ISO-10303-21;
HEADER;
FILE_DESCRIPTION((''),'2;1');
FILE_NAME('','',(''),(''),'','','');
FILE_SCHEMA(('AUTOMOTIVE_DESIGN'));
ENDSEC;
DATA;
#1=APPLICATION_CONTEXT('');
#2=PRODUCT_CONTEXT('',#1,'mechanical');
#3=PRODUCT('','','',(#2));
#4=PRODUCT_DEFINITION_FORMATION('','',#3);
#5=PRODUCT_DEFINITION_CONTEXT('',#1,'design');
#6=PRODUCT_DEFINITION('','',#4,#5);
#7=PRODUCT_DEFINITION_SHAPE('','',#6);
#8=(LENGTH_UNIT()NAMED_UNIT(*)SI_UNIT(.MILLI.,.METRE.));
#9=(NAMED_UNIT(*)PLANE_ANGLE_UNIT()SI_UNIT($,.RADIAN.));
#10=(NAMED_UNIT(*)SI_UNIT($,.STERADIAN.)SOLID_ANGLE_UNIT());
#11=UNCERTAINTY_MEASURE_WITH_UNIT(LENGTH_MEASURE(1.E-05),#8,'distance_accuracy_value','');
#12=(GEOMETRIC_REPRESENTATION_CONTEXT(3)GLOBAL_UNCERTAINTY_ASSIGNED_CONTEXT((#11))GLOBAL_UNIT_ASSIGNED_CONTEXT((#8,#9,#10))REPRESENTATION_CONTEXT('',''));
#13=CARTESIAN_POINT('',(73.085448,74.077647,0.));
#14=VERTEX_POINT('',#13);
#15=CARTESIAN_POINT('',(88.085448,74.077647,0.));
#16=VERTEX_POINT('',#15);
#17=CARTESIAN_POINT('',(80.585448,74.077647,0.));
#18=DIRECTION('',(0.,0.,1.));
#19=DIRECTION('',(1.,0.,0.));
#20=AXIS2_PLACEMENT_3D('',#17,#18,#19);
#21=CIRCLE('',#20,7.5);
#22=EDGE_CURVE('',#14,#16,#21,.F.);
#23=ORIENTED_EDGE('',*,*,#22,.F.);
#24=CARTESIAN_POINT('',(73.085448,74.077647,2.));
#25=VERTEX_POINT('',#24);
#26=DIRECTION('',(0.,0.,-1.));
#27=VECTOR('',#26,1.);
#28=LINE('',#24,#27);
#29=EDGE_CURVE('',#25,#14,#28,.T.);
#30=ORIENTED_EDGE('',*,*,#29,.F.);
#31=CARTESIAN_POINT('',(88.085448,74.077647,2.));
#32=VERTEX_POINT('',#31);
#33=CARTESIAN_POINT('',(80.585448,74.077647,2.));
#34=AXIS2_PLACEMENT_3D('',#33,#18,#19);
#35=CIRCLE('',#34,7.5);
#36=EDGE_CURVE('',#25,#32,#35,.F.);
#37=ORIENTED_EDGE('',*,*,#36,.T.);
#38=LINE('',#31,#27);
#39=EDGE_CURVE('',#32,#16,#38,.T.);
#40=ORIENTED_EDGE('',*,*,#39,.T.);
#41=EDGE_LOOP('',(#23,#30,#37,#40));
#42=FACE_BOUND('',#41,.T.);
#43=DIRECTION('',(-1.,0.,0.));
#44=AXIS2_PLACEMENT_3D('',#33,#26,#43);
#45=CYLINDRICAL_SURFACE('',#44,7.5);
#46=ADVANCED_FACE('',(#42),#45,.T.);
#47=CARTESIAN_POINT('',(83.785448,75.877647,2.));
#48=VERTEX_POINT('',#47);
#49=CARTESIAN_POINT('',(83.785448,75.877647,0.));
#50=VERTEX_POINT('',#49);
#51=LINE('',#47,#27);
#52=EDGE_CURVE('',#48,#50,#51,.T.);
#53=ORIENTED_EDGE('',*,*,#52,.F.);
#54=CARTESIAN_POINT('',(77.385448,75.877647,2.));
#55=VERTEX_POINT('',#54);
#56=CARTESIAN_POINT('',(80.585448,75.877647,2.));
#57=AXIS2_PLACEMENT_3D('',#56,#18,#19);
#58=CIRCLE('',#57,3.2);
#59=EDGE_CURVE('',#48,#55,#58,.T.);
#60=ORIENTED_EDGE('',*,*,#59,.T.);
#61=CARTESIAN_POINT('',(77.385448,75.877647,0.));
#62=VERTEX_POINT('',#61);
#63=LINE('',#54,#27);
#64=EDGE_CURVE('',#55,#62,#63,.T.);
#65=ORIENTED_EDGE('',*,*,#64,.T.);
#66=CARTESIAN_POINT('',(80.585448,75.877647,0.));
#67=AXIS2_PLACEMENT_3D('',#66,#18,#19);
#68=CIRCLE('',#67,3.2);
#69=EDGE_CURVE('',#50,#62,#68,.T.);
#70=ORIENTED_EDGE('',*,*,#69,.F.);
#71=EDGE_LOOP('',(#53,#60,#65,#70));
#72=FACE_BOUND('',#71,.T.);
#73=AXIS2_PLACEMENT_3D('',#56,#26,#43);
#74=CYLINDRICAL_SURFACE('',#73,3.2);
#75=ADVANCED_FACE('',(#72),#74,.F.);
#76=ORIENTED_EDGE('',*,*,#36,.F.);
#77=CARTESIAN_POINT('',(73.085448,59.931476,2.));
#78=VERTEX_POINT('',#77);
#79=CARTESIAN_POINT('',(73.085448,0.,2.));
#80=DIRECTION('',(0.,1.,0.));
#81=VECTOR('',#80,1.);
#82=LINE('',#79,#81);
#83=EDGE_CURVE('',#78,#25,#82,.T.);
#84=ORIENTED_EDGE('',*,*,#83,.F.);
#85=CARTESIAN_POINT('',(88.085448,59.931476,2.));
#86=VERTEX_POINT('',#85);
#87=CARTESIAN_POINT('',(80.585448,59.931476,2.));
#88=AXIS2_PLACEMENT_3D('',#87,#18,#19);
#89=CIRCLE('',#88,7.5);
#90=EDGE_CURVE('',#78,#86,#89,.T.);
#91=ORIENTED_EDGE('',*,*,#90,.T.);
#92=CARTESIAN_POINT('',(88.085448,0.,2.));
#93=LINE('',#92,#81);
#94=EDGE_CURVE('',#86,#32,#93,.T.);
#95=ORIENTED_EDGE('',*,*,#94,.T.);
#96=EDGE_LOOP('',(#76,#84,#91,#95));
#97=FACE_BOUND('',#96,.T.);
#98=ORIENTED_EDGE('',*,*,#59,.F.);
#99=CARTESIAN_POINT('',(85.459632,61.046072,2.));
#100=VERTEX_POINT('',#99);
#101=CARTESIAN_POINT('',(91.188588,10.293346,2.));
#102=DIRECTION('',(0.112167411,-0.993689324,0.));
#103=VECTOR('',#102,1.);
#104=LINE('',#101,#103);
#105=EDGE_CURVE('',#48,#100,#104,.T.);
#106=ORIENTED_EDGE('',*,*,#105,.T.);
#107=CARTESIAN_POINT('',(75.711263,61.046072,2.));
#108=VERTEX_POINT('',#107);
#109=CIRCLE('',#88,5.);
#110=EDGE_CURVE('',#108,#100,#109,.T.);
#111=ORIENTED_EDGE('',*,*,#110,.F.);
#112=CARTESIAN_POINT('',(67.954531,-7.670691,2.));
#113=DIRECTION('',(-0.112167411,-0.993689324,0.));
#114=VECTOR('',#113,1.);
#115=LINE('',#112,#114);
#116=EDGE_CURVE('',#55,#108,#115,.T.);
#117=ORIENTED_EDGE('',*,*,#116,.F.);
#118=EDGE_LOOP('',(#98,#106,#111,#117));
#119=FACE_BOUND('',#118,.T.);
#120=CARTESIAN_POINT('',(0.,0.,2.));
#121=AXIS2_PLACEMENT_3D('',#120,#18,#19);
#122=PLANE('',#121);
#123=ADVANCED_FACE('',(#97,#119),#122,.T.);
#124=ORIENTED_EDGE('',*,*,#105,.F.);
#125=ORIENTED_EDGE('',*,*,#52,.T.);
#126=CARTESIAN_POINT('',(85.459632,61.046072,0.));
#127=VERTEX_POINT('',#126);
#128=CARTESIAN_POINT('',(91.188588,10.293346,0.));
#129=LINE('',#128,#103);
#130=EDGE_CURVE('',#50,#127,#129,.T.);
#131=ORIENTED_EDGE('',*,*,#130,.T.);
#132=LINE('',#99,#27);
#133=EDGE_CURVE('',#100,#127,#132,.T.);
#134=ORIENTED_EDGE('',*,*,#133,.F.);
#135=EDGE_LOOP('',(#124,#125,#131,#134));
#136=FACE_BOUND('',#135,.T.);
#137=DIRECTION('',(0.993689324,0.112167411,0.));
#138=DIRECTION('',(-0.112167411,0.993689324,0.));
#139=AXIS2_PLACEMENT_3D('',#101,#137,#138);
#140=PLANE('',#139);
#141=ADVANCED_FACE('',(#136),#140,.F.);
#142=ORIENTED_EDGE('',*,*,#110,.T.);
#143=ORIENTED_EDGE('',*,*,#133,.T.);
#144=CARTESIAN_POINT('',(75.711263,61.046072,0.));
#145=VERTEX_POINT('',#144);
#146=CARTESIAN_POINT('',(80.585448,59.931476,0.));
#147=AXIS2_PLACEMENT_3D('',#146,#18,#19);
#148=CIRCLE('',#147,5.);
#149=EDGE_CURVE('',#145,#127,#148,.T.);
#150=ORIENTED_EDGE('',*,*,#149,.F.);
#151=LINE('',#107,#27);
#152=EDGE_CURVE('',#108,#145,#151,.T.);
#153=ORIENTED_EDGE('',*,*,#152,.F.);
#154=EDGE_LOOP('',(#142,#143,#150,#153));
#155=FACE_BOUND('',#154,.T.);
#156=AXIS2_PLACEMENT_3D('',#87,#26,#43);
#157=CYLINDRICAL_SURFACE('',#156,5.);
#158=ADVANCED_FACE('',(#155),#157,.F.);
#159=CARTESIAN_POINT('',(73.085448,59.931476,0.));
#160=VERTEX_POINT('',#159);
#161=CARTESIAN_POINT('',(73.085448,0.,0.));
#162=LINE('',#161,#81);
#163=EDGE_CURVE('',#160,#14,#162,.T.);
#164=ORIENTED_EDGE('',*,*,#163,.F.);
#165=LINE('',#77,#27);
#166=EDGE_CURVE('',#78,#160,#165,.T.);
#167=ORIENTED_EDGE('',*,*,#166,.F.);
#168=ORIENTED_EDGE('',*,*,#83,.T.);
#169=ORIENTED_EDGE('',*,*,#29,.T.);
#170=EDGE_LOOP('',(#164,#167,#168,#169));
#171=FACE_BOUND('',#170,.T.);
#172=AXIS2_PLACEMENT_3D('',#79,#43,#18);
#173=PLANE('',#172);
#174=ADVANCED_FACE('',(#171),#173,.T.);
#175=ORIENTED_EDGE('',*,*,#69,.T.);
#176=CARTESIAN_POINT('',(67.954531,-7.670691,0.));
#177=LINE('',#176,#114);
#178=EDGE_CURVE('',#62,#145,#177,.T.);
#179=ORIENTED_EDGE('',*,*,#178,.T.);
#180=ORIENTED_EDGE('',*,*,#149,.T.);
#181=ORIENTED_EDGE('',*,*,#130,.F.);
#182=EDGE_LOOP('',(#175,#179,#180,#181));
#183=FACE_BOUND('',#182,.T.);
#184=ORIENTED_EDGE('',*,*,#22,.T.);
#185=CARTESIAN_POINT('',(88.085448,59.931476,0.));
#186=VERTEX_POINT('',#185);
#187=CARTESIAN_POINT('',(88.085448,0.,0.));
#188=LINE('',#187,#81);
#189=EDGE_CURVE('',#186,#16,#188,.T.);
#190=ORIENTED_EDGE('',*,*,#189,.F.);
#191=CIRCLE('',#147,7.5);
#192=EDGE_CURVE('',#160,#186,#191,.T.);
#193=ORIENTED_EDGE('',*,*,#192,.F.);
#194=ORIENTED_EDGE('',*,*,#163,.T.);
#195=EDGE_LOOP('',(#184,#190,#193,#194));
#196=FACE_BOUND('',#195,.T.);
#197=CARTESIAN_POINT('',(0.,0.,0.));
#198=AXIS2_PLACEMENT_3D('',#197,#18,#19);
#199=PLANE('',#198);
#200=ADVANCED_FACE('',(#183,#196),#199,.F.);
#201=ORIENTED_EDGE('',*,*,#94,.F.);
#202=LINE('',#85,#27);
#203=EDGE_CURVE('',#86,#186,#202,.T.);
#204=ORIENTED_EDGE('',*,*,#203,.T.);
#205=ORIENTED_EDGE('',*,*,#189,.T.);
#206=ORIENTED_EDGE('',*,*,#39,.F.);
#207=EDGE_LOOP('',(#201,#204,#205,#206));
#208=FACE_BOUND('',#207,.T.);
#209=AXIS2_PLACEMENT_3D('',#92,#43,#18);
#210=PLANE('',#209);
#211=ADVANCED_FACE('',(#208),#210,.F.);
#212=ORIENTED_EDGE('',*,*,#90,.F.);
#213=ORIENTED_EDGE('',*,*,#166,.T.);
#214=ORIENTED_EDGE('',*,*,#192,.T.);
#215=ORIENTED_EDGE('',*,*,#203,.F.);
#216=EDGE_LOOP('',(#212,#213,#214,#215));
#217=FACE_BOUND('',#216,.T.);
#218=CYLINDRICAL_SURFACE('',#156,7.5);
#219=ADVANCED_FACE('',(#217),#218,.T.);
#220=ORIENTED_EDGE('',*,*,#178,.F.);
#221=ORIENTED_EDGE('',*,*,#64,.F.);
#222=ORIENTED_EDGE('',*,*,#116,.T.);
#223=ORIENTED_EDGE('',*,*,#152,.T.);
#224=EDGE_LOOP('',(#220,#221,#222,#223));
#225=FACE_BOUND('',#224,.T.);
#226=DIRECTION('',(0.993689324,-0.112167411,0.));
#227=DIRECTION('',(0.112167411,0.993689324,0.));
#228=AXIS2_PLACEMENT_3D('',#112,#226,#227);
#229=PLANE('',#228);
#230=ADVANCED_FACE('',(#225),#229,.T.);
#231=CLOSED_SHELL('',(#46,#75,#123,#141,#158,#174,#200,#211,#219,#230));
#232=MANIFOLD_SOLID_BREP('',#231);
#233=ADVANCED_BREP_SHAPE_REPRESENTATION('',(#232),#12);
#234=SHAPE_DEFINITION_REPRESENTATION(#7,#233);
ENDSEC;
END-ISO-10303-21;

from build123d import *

# Parameters (mm, degrees)
BOSS_EXTRUDE1_DEPTH = 2


with BuildPart() as part:
    # Sketch1 → Boss-Extrude1 (new body)
    with BuildSketch(Plane.XY):
        with BuildLine():
            Line((73.085447554, 74.077647485), (73.085447554, 59.931475915))
            ThreePointArc((73.085447554, 59.931475915), (80.585447554, 52.431475915), (88.085447554, 59.931475915))
            Line((88.085447554, 59.931475915), (88.085447554, 74.077647485))
            ThreePointArc((88.085447554, 74.077647485), (80.585447554, 81.577647485), (73.085447554, 74.077647485))
        make_face()
        with BuildLine():
            Line((75.711262835, 61.046071504), (77.385447554, 75.877647485))
            ThreePointArc((77.385447554, 75.877647485), (80.585447554, 79.077647485), (83.785447554, 75.877647485))
            Line((83.785447554, 75.877647485), (85.459632273, 61.046071504))
            ThreePointArc((85.459632273, 61.046071504), (85.553894172, 60.492312971), (85.585447554, 59.931475915))
            ThreePointArc((85.585447554, 59.931475915), (80.585447554, 54.931475915), (75.585447554, 59.931475915))
            ThreePointArc((75.585447554, 59.931475915), (75.617000936, 60.492312971), (75.711262835, 61.046071504))
        make_face(mode=Mode.SUBTRACT)
    extrude(amount=BOSS_EXTRUDE1_DEPTH)


solid = part.part
